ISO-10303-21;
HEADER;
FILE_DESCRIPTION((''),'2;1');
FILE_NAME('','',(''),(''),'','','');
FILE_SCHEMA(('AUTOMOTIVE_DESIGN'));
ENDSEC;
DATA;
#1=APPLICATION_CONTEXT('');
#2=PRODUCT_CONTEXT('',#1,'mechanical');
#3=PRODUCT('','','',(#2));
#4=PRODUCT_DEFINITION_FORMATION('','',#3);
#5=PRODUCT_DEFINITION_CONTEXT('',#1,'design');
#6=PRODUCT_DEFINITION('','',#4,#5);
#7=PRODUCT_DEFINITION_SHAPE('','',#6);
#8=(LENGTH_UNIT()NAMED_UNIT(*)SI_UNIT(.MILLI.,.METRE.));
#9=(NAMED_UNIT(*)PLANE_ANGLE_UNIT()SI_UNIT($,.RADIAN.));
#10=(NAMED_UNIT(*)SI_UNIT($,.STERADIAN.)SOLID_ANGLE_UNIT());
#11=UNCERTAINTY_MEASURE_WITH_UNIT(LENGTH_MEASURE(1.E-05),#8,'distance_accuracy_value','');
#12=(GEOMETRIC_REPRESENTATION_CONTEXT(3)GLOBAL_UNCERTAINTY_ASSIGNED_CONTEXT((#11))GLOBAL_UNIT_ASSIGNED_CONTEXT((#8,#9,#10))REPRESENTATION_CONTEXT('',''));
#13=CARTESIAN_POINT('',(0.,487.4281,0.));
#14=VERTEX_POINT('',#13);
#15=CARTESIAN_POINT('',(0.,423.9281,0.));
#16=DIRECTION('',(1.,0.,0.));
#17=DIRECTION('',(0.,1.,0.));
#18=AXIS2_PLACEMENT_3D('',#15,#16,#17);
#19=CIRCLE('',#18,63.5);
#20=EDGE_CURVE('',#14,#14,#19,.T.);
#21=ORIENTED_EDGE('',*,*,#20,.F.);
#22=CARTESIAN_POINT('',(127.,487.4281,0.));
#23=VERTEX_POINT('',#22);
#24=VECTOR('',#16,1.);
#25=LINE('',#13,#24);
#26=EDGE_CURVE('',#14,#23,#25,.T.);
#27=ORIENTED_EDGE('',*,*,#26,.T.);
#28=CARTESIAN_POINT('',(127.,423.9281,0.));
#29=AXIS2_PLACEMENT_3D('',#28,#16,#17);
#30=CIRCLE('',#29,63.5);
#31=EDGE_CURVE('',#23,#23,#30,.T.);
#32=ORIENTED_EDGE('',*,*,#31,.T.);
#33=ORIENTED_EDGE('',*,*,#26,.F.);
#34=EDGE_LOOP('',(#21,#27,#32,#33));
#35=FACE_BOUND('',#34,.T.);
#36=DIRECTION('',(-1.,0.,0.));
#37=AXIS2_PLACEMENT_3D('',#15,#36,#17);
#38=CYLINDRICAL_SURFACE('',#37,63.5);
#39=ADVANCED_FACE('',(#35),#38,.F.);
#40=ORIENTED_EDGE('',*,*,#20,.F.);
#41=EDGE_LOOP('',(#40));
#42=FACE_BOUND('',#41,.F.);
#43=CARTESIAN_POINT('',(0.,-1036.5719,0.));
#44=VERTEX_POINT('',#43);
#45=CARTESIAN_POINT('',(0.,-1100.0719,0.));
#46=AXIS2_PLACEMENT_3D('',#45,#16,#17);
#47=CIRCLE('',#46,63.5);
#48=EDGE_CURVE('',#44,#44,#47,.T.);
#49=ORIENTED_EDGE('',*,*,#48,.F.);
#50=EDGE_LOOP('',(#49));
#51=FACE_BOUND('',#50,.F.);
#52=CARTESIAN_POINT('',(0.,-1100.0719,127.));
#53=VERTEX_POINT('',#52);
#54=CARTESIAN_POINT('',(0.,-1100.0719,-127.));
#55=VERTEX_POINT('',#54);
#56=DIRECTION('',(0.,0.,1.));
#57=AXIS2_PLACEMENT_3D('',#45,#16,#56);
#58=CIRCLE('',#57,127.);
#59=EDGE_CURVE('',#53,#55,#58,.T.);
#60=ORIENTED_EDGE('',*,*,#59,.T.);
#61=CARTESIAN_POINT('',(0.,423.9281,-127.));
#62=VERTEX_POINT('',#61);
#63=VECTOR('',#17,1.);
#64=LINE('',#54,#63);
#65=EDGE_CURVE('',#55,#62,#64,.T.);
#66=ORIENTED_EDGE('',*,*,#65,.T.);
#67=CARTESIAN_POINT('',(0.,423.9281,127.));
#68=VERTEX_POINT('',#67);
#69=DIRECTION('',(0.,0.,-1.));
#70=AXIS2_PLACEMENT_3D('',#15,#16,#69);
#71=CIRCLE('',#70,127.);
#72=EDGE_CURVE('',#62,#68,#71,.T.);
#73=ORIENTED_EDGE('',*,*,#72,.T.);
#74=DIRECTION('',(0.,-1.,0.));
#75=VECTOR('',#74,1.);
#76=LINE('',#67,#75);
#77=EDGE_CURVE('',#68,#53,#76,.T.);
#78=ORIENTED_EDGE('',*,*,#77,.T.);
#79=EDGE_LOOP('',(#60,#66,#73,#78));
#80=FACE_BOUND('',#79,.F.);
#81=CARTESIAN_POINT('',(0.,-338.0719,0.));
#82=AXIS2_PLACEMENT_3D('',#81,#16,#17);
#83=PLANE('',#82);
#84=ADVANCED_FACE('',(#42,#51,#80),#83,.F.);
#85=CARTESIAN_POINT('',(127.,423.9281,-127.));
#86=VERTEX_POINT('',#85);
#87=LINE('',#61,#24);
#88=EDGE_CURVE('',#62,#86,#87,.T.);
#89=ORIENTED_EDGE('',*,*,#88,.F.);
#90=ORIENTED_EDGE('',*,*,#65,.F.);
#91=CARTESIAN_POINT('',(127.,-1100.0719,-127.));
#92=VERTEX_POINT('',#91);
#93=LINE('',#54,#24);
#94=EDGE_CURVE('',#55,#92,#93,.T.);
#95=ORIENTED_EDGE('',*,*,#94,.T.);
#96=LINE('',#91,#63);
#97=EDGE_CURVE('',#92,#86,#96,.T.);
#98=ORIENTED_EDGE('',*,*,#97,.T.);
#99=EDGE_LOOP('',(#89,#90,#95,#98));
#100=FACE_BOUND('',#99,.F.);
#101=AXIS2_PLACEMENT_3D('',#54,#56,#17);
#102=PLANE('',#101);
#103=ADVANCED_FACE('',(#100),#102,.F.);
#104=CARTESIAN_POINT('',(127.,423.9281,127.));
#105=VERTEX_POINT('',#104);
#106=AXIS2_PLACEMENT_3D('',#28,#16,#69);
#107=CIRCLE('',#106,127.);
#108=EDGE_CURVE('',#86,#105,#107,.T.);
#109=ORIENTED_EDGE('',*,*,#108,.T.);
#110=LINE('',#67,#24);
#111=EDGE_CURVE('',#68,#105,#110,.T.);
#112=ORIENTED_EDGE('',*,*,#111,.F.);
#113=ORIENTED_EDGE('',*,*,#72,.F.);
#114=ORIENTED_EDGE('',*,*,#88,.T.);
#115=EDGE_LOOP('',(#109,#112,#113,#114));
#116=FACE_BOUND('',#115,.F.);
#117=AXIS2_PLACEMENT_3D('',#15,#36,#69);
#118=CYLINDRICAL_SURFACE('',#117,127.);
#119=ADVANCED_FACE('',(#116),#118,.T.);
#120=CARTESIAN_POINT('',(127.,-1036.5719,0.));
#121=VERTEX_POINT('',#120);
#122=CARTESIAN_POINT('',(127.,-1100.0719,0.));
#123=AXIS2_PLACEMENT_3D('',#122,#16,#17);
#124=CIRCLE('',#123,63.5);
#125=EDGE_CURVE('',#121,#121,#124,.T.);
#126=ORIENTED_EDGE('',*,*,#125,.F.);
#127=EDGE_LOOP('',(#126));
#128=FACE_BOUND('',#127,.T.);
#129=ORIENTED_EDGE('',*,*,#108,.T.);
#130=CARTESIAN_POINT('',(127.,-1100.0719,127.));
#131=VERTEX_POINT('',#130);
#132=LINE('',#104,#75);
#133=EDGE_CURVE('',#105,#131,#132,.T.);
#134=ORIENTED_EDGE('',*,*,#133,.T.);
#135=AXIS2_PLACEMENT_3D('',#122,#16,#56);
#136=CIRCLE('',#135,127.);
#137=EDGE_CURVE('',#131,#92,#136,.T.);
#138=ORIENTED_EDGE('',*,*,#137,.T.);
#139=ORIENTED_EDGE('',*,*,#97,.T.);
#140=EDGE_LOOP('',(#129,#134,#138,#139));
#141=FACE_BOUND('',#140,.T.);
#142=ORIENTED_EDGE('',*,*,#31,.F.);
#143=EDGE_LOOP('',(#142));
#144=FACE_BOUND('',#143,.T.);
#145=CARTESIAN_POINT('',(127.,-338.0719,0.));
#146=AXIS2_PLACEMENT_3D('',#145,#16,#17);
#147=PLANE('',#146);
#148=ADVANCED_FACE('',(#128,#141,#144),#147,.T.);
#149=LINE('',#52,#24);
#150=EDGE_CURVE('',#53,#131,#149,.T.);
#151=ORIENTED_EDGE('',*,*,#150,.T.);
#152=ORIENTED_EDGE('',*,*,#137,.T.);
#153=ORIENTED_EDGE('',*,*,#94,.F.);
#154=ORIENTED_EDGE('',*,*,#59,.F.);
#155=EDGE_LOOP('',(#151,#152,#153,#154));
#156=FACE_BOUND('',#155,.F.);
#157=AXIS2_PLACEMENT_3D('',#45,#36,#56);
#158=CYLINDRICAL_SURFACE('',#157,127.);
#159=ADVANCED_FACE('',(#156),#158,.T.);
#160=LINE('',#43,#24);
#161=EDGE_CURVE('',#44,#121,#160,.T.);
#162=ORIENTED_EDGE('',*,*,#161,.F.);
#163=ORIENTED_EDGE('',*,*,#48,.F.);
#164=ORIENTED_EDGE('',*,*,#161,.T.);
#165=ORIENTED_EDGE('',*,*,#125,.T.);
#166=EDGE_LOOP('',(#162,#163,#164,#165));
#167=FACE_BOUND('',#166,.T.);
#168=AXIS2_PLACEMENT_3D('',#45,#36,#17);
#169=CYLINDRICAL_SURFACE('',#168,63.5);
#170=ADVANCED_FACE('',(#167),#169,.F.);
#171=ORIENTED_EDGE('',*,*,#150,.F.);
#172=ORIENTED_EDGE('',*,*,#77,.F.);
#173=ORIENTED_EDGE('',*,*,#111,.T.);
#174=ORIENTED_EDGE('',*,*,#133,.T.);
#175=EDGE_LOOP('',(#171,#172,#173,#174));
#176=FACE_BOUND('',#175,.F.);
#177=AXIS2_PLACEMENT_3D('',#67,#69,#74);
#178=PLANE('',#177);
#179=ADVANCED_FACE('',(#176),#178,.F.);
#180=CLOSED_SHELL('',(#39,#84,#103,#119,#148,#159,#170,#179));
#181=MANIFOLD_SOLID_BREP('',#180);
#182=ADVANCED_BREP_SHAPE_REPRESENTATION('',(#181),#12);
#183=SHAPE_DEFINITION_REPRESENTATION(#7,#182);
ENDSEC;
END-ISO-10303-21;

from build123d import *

# Parameters (mm, degrees)
F0_R     = 63.5
F1_DEPTH = 127


with BuildPart() as f1:
    # F0 (on Right) → F1 (new body)
    with BuildSketch(Plane.YZ):
        with BuildLine():
            Line((423.9281, 127), (-1100.0719, 127))
            ThreePointArc((-1100.0719, 127), (-1227.0719, 0), (-1100.0719, -127))
            Line((-1100.0719, -127), (423.9281, -127))
            ThreePointArc((423.9281, -127), (550.9281, 0), (423.9281, 127))
        make_face()
        with Locations((-1100.0719, 0)):
            Circle(F0_R, mode=Mode.SUBTRACT)
        with Locations((423.9281, 0)):
            Circle(F0_R, mode=Mode.SUBTRACT)
    extrude(amount=F1_DEPTH)


solid = f1.part
